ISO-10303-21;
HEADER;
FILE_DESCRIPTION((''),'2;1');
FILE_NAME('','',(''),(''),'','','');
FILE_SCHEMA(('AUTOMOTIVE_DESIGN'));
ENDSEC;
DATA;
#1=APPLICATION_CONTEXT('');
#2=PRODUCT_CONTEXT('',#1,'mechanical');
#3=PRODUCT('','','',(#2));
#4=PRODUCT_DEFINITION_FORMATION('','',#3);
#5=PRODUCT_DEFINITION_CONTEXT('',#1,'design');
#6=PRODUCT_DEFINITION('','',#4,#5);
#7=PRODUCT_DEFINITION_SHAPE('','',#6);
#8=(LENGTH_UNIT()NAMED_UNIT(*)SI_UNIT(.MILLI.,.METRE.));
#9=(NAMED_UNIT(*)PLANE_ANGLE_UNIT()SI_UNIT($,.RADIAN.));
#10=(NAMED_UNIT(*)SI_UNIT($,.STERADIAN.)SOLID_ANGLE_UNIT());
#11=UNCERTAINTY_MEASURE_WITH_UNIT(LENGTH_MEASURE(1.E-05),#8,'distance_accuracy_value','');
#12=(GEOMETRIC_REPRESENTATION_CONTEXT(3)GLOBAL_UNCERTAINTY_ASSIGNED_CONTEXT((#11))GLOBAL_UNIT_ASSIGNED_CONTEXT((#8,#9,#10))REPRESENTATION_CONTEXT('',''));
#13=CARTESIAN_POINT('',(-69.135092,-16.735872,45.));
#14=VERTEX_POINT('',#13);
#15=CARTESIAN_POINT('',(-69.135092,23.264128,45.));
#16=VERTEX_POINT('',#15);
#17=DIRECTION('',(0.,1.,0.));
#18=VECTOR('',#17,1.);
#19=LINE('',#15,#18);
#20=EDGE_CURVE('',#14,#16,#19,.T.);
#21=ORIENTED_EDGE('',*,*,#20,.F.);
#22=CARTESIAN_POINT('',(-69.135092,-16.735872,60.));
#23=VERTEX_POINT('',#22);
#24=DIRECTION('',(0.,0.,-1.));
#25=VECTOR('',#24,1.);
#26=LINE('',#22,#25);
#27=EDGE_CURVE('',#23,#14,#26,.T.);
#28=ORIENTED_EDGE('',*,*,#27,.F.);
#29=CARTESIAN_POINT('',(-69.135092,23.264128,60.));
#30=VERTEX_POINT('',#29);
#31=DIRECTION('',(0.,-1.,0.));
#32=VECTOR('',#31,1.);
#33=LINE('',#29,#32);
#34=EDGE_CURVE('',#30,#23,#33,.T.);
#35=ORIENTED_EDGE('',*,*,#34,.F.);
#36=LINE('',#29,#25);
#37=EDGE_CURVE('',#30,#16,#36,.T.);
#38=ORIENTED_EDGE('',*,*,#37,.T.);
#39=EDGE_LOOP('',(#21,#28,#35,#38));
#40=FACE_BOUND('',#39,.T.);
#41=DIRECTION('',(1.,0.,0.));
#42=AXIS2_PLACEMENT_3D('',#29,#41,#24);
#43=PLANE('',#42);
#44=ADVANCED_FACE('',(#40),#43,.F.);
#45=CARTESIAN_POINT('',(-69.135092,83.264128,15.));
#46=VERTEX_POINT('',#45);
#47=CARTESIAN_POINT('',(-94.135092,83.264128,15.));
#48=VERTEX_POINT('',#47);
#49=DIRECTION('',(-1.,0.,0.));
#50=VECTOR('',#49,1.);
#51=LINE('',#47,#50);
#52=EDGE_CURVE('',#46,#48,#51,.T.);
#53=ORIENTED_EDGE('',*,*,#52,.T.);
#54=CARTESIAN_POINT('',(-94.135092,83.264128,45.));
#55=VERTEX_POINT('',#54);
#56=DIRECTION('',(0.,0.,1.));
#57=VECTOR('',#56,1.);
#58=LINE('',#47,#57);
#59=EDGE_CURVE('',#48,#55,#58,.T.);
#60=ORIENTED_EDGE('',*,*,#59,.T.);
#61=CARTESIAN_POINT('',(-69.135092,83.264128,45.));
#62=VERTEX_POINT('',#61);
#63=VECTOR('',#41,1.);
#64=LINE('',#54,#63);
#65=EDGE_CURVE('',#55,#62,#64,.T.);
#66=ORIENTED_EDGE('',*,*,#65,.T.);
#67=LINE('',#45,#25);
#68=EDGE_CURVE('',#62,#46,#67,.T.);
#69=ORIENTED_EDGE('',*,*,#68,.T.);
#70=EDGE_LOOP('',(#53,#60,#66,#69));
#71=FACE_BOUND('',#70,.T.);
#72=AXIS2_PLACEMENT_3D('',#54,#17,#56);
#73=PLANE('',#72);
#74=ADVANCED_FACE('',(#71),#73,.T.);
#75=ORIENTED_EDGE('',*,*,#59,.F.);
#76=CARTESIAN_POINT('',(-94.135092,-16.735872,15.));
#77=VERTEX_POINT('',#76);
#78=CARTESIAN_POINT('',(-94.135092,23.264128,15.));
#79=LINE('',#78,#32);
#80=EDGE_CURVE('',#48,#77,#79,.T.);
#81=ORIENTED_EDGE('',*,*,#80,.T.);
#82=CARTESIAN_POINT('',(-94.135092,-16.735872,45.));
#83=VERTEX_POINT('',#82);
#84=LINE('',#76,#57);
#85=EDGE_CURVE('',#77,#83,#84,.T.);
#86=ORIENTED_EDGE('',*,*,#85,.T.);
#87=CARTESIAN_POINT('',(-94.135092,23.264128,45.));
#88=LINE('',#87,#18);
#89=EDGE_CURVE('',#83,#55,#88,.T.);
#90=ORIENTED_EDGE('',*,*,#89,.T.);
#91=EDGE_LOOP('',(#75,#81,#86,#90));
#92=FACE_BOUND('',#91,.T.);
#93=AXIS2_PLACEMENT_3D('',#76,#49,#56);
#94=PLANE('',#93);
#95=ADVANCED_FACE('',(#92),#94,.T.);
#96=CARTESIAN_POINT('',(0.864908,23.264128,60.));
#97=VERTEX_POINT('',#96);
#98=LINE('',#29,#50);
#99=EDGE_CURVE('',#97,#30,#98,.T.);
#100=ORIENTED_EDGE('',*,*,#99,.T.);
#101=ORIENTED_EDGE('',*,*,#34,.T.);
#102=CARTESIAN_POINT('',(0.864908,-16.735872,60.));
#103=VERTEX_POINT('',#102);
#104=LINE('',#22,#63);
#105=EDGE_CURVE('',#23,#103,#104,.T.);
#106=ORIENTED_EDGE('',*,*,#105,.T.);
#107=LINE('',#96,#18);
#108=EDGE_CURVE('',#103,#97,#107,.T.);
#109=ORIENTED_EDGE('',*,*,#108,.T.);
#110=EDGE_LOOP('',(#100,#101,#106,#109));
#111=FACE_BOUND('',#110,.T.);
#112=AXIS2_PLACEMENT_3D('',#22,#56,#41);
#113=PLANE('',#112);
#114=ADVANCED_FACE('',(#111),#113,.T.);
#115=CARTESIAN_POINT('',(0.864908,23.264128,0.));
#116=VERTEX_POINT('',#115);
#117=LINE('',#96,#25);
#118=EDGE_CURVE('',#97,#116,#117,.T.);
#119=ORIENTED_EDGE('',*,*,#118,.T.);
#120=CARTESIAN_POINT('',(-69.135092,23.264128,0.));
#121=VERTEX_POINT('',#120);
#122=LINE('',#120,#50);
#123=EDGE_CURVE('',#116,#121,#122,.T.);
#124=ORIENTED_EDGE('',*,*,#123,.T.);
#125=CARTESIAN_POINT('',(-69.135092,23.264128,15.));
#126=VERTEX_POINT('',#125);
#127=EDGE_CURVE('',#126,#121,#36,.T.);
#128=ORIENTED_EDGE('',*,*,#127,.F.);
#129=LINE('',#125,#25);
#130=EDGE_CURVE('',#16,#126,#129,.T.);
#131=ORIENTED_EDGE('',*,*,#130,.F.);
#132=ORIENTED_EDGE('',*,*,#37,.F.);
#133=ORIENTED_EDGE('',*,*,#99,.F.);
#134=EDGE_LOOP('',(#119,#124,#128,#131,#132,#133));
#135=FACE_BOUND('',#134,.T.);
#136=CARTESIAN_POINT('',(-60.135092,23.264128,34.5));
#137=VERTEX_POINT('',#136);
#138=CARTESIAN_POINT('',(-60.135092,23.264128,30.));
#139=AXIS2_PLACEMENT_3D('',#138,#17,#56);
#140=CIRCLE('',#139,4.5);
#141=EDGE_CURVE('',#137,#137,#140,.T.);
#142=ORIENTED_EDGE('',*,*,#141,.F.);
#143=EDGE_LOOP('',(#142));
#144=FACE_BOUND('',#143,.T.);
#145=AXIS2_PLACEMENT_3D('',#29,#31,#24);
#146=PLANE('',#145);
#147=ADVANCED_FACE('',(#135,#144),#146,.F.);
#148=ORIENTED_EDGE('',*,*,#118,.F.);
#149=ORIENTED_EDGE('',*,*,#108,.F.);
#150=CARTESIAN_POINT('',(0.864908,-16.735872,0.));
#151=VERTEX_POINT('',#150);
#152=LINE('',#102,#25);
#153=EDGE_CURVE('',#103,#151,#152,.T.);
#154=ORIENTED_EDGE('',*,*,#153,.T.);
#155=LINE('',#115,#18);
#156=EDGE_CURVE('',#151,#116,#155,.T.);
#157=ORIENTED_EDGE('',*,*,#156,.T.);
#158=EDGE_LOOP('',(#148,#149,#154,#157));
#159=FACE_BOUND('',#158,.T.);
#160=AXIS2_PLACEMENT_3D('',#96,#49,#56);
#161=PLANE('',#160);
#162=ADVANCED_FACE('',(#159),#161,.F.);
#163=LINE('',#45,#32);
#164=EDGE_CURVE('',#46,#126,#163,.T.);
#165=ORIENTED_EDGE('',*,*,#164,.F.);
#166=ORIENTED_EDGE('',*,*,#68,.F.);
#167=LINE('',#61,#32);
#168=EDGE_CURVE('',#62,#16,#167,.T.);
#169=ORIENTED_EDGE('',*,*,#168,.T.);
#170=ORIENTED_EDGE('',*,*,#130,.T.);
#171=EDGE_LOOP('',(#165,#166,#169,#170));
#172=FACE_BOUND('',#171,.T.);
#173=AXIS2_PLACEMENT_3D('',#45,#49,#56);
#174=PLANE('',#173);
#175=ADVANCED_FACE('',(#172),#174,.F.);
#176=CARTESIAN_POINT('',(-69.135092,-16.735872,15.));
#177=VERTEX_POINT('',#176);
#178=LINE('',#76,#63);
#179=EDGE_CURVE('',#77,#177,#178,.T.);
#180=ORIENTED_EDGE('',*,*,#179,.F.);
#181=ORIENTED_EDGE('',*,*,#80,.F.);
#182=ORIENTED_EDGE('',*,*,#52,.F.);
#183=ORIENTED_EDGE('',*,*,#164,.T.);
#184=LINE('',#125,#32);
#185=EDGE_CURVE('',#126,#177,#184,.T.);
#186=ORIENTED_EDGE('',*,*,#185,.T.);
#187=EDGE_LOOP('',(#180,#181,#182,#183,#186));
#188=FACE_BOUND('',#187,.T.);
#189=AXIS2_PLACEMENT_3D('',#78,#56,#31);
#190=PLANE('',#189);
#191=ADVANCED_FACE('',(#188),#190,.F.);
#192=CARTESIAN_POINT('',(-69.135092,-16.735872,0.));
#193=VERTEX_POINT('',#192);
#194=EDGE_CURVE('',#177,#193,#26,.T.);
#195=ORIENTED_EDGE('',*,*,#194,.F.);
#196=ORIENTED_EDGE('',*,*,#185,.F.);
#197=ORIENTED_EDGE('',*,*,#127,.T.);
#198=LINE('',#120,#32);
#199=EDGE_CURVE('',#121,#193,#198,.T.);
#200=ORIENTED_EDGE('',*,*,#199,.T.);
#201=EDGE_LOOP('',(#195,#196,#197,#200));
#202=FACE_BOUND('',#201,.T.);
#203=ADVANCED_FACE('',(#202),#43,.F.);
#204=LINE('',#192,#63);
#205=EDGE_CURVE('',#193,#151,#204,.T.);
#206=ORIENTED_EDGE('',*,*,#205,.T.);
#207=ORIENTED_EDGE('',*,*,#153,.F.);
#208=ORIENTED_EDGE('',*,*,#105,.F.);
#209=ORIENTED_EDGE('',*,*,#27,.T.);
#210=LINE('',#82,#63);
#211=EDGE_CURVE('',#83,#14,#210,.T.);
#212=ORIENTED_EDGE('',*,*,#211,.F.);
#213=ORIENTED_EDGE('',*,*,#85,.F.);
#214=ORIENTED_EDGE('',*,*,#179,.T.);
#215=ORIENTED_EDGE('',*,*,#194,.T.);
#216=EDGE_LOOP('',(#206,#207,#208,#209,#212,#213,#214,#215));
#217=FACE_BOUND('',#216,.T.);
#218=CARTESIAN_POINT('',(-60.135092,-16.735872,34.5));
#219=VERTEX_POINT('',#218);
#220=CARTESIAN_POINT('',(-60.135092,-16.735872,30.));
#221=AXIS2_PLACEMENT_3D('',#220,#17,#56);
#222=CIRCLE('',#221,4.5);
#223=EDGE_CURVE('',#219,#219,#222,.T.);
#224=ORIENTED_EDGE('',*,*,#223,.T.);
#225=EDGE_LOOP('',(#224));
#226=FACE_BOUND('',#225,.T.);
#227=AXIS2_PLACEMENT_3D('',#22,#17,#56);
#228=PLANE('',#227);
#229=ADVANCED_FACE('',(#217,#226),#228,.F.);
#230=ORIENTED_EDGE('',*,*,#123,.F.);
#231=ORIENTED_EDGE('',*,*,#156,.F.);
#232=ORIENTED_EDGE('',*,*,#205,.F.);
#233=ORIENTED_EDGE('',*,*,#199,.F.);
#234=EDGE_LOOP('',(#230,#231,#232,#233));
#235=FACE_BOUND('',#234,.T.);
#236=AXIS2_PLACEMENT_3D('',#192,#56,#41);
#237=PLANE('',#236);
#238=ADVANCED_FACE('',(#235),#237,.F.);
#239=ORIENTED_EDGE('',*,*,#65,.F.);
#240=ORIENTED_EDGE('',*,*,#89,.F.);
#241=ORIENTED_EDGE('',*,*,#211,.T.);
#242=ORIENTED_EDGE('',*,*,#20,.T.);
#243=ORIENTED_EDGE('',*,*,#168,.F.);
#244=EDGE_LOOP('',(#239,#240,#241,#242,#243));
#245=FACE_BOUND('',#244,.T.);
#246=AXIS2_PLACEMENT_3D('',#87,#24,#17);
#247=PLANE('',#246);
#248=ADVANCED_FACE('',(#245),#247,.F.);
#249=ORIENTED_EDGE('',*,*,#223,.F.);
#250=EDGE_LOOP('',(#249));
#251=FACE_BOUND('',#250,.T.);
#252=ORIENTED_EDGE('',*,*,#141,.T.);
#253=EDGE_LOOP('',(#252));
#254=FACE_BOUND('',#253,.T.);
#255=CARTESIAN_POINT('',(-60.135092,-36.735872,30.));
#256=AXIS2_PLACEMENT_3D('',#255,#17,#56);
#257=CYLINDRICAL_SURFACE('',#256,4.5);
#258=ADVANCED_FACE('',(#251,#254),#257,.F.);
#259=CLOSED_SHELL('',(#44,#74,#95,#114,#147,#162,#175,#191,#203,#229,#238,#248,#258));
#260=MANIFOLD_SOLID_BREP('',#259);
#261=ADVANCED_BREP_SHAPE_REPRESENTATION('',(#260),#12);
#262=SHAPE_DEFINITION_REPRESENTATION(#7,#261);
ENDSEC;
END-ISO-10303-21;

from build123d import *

# Parameters (mm, degrees)
ESQUISSE1_W             = 70
ESQUISSE1_H             = 40
BOSS_EXTRU_1_DEPTH      = 60
ESQUISSE2_R             = 4.5
ENL_V_MAT_EXTRU_1_DEPTH = 60
ESQUISSE3_W             = 30
ESQUISSE3_H             = 40
BOSS_EXTRU_2_DEPTH      = 25
ESQUISSE4_W             = 25
ESQUISSE4_H             = 30
BOSS_EXTRU_3_DEPTH      = 60


with BuildPart() as part:
    # Esquisse1 → Boss.-Extru.1 (new body)
    with BuildSketch(Plane.XY):
        with Locations((-34.135092282, 3.264127517)):
            Rectangle(ESQUISSE1_W, ESQUISSE1_H)
    extrude(amount=BOSS_EXTRU_1_DEPTH)

    # Esquisse2 → Enlèv. mat.-Extru.1 (cut)
    with BuildSketch(Plane(origin=(0, 23.264127517, 0), x_dir=(1, 0, 0), z_dir=(0, 1, 0))):
        with Locations(Location((-60.135092282, -30, 0), (0, 0, 270))):
            Circle(ESQUISSE2_R)
    extrude(amount=-ENL_V_MAT_EXTRU_1_DEPTH, mode=Mode.SUBTRACT)

    # Esquisse3 → Boss.-Extru.2 (add)
    with BuildSketch(Plane.ZY.offset(69.135092282)):
        with Locations((30, 3.264127517)):
            Rectangle(ESQUISSE3_W, ESQUISSE3_H)
    extrude(amount=BOSS_EXTRU_2_DEPTH)

    # Esquisse4 → Boss.-Extru.3 (add)
    with BuildSketch(Plane(origin=(0, 23.264127517, 0), x_dir=(1, 0, 0), z_dir=(0, 1, 0))):
        with Locations((-81.635092282, -30)):
            Rectangle(ESQUISSE4_W, ESQUISSE4_H)
    extrude(amount=BOSS_EXTRU_3_DEPTH)


solid = part.part
